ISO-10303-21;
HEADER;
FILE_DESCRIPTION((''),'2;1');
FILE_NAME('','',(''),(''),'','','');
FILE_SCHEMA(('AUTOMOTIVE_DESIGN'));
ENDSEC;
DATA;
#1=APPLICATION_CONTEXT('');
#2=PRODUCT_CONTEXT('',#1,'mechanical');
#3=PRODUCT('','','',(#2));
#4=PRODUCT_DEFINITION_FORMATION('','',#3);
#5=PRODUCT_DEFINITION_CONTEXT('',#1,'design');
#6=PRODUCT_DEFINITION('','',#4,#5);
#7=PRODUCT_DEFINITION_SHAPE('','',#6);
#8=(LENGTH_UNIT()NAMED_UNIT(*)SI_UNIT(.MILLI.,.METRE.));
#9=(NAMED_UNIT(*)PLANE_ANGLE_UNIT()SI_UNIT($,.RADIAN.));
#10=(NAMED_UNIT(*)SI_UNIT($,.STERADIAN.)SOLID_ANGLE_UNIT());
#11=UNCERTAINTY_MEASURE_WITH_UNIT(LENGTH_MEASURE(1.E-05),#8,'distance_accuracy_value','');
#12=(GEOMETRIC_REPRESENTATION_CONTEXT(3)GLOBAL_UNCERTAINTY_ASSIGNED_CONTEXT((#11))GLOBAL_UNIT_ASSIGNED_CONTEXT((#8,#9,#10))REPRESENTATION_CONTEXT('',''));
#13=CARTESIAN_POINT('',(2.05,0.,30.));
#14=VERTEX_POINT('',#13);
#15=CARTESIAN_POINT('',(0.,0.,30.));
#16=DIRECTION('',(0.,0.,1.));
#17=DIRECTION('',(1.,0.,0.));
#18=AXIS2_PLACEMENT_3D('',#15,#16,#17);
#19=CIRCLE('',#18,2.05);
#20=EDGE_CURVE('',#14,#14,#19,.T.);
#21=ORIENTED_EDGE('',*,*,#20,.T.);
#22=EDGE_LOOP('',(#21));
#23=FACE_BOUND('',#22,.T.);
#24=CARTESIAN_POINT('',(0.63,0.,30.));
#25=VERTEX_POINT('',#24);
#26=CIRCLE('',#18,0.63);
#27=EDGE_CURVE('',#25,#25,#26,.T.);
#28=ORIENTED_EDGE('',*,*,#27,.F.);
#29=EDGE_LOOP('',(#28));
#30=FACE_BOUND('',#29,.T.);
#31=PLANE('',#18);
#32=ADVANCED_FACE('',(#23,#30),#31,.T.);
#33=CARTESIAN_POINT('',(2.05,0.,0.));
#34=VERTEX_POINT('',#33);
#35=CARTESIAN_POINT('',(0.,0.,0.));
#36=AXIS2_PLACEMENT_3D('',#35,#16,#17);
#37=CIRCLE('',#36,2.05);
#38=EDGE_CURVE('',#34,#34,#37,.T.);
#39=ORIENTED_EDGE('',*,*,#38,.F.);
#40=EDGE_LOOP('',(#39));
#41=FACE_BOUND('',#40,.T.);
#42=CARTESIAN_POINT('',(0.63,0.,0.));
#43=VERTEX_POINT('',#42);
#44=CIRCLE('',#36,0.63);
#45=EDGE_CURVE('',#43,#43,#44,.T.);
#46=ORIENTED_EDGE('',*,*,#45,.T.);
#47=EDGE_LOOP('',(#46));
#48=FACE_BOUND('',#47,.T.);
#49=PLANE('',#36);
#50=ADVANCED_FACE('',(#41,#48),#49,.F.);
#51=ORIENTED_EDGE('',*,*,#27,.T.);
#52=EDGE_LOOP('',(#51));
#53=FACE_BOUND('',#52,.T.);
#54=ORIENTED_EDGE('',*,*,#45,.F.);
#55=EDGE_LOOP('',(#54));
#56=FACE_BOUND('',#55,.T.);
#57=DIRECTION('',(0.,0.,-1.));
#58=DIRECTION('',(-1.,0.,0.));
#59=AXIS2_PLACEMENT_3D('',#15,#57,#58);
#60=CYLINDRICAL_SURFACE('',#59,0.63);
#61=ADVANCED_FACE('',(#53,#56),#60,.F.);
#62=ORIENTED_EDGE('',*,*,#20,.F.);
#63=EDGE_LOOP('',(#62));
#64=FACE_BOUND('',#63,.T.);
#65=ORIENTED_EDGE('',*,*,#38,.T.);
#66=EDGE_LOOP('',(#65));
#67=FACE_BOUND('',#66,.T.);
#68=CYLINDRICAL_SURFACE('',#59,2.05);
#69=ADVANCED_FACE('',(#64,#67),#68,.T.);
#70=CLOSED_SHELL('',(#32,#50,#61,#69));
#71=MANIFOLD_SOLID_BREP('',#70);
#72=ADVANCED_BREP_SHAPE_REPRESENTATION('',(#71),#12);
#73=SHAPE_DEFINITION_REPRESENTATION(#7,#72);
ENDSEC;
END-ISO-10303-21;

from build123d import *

# Parameters (mm, degrees)
CROQUIS1_R              = 2.05
CROQUIS1_R_2            = 0.63
SALIENTE_EXTRUIR1_DEPTH = 30


with BuildPart() as part:
    # Croquis1 → Saliente-Extruir1 (new body)
    with BuildSketch(Plane.XY):
        Circle(CROQUIS1_R)
        Circle(CROQUIS1_R_2, mode=Mode.SUBTRACT)
    extrude(amount=SALIENTE_EXTRUIR1_DEPTH)


solid = part.part
